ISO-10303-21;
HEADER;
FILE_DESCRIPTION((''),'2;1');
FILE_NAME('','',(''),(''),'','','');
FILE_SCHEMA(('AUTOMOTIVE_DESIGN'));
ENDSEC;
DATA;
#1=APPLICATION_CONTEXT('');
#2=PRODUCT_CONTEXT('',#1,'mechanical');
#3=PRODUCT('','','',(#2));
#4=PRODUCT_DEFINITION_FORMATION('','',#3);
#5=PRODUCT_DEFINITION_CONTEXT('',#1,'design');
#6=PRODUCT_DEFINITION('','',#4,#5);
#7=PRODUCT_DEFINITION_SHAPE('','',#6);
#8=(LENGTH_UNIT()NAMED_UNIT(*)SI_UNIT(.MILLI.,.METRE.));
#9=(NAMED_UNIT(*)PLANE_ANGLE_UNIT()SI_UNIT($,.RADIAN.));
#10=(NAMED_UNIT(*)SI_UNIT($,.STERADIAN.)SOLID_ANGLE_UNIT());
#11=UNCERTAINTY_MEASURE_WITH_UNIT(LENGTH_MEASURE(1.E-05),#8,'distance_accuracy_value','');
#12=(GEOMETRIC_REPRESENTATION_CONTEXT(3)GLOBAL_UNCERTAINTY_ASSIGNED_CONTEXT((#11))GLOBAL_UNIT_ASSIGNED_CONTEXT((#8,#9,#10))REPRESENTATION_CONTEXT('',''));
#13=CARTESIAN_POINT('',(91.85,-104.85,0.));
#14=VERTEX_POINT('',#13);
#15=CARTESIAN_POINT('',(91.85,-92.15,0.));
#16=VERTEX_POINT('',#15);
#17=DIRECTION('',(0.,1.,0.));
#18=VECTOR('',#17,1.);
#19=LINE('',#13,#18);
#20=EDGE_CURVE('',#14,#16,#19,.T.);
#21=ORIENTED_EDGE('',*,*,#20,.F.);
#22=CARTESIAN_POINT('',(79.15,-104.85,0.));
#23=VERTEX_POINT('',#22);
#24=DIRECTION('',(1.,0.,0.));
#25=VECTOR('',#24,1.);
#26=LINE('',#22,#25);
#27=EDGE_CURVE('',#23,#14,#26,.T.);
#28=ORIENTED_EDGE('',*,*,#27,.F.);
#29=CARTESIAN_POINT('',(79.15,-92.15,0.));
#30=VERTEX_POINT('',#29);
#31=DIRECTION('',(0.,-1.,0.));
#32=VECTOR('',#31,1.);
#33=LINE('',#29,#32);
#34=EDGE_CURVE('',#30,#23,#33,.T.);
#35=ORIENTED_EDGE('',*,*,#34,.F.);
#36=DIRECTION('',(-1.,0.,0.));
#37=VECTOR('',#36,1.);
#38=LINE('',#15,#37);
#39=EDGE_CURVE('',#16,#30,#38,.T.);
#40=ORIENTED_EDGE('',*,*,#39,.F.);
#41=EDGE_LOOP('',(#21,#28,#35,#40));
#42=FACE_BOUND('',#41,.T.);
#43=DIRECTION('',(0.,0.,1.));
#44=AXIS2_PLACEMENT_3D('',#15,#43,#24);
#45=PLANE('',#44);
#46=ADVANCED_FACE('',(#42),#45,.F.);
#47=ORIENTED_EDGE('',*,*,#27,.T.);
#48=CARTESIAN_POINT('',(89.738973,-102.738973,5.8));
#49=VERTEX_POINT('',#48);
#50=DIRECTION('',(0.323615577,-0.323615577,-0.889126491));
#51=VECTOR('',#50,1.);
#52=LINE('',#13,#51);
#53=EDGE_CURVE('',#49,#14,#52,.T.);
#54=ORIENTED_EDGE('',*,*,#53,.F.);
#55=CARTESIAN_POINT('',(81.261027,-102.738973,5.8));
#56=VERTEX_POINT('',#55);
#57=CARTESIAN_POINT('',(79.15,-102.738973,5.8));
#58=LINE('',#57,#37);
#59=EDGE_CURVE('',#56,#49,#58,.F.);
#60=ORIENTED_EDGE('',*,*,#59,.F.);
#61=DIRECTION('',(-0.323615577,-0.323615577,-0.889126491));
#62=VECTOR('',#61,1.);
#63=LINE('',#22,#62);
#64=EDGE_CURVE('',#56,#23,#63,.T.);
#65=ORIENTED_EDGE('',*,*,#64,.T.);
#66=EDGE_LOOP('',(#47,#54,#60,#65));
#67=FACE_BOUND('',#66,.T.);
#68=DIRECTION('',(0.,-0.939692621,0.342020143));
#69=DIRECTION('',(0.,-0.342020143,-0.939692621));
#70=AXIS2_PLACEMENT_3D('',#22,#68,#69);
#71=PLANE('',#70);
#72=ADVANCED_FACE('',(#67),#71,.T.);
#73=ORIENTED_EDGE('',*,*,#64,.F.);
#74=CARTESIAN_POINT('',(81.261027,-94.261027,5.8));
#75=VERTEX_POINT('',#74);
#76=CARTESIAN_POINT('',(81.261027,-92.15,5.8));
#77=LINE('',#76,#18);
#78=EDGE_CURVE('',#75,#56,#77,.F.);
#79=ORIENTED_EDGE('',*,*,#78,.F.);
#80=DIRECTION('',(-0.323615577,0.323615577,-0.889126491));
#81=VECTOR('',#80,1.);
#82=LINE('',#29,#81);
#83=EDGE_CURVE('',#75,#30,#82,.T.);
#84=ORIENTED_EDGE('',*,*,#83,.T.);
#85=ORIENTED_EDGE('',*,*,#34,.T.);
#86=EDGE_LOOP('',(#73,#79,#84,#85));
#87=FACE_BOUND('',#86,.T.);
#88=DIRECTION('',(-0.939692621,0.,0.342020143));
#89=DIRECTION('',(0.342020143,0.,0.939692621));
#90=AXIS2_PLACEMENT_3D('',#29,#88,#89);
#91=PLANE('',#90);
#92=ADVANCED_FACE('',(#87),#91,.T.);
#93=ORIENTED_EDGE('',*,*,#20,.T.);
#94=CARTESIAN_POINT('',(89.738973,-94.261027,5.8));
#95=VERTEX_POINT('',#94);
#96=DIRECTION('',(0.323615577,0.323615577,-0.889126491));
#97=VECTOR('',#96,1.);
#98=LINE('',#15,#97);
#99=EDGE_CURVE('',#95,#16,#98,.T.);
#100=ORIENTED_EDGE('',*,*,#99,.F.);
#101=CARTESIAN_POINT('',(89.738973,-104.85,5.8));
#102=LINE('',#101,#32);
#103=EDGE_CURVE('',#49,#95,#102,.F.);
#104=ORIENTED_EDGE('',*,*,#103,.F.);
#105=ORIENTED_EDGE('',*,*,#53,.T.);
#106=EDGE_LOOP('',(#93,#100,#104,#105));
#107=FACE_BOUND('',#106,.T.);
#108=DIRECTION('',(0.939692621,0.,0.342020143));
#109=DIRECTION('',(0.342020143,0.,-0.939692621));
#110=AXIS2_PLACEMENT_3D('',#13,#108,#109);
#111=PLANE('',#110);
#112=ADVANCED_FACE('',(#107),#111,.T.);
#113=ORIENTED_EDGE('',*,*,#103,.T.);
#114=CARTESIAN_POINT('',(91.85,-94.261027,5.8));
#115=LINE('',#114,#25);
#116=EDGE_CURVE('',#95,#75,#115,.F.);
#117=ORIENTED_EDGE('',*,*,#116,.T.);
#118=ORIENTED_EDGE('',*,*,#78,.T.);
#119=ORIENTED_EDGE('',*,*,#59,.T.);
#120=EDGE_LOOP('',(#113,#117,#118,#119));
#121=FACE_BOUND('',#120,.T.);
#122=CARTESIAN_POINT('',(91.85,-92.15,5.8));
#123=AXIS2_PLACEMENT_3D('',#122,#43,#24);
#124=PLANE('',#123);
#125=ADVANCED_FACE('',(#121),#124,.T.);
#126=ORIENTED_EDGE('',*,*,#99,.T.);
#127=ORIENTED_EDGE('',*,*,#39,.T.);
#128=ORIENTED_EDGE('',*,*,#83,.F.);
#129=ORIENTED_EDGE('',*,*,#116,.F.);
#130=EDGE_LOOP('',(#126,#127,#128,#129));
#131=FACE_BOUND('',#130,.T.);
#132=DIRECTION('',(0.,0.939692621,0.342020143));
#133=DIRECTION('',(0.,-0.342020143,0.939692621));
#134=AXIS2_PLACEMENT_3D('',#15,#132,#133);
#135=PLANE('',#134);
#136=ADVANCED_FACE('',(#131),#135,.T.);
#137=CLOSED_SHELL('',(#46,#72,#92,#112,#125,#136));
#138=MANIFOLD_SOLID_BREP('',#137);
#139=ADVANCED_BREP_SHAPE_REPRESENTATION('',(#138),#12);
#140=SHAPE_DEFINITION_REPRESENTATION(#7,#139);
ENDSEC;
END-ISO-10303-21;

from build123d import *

# Parameters (mm, degrees)
ESQUISSE1_W          = 12.7
ESQUISSE1_H          = 12.7
BASE_EXTRUSION_DEPTH = 5.8
BASE_EXTRUSION_TAPER = 20


with BuildPart() as part:
    # Esquisse1 → Base-Extrusion (new body)
    with BuildSketch(Plane.XY):
        with Locations((85.5, -98.5)):
            Rectangle(ESQUISSE1_W, ESQUISSE1_H)
    extrude(amount=BASE_EXTRUSION_DEPTH, taper=BASE_EXTRUSION_TAPER)


solid = part.part
